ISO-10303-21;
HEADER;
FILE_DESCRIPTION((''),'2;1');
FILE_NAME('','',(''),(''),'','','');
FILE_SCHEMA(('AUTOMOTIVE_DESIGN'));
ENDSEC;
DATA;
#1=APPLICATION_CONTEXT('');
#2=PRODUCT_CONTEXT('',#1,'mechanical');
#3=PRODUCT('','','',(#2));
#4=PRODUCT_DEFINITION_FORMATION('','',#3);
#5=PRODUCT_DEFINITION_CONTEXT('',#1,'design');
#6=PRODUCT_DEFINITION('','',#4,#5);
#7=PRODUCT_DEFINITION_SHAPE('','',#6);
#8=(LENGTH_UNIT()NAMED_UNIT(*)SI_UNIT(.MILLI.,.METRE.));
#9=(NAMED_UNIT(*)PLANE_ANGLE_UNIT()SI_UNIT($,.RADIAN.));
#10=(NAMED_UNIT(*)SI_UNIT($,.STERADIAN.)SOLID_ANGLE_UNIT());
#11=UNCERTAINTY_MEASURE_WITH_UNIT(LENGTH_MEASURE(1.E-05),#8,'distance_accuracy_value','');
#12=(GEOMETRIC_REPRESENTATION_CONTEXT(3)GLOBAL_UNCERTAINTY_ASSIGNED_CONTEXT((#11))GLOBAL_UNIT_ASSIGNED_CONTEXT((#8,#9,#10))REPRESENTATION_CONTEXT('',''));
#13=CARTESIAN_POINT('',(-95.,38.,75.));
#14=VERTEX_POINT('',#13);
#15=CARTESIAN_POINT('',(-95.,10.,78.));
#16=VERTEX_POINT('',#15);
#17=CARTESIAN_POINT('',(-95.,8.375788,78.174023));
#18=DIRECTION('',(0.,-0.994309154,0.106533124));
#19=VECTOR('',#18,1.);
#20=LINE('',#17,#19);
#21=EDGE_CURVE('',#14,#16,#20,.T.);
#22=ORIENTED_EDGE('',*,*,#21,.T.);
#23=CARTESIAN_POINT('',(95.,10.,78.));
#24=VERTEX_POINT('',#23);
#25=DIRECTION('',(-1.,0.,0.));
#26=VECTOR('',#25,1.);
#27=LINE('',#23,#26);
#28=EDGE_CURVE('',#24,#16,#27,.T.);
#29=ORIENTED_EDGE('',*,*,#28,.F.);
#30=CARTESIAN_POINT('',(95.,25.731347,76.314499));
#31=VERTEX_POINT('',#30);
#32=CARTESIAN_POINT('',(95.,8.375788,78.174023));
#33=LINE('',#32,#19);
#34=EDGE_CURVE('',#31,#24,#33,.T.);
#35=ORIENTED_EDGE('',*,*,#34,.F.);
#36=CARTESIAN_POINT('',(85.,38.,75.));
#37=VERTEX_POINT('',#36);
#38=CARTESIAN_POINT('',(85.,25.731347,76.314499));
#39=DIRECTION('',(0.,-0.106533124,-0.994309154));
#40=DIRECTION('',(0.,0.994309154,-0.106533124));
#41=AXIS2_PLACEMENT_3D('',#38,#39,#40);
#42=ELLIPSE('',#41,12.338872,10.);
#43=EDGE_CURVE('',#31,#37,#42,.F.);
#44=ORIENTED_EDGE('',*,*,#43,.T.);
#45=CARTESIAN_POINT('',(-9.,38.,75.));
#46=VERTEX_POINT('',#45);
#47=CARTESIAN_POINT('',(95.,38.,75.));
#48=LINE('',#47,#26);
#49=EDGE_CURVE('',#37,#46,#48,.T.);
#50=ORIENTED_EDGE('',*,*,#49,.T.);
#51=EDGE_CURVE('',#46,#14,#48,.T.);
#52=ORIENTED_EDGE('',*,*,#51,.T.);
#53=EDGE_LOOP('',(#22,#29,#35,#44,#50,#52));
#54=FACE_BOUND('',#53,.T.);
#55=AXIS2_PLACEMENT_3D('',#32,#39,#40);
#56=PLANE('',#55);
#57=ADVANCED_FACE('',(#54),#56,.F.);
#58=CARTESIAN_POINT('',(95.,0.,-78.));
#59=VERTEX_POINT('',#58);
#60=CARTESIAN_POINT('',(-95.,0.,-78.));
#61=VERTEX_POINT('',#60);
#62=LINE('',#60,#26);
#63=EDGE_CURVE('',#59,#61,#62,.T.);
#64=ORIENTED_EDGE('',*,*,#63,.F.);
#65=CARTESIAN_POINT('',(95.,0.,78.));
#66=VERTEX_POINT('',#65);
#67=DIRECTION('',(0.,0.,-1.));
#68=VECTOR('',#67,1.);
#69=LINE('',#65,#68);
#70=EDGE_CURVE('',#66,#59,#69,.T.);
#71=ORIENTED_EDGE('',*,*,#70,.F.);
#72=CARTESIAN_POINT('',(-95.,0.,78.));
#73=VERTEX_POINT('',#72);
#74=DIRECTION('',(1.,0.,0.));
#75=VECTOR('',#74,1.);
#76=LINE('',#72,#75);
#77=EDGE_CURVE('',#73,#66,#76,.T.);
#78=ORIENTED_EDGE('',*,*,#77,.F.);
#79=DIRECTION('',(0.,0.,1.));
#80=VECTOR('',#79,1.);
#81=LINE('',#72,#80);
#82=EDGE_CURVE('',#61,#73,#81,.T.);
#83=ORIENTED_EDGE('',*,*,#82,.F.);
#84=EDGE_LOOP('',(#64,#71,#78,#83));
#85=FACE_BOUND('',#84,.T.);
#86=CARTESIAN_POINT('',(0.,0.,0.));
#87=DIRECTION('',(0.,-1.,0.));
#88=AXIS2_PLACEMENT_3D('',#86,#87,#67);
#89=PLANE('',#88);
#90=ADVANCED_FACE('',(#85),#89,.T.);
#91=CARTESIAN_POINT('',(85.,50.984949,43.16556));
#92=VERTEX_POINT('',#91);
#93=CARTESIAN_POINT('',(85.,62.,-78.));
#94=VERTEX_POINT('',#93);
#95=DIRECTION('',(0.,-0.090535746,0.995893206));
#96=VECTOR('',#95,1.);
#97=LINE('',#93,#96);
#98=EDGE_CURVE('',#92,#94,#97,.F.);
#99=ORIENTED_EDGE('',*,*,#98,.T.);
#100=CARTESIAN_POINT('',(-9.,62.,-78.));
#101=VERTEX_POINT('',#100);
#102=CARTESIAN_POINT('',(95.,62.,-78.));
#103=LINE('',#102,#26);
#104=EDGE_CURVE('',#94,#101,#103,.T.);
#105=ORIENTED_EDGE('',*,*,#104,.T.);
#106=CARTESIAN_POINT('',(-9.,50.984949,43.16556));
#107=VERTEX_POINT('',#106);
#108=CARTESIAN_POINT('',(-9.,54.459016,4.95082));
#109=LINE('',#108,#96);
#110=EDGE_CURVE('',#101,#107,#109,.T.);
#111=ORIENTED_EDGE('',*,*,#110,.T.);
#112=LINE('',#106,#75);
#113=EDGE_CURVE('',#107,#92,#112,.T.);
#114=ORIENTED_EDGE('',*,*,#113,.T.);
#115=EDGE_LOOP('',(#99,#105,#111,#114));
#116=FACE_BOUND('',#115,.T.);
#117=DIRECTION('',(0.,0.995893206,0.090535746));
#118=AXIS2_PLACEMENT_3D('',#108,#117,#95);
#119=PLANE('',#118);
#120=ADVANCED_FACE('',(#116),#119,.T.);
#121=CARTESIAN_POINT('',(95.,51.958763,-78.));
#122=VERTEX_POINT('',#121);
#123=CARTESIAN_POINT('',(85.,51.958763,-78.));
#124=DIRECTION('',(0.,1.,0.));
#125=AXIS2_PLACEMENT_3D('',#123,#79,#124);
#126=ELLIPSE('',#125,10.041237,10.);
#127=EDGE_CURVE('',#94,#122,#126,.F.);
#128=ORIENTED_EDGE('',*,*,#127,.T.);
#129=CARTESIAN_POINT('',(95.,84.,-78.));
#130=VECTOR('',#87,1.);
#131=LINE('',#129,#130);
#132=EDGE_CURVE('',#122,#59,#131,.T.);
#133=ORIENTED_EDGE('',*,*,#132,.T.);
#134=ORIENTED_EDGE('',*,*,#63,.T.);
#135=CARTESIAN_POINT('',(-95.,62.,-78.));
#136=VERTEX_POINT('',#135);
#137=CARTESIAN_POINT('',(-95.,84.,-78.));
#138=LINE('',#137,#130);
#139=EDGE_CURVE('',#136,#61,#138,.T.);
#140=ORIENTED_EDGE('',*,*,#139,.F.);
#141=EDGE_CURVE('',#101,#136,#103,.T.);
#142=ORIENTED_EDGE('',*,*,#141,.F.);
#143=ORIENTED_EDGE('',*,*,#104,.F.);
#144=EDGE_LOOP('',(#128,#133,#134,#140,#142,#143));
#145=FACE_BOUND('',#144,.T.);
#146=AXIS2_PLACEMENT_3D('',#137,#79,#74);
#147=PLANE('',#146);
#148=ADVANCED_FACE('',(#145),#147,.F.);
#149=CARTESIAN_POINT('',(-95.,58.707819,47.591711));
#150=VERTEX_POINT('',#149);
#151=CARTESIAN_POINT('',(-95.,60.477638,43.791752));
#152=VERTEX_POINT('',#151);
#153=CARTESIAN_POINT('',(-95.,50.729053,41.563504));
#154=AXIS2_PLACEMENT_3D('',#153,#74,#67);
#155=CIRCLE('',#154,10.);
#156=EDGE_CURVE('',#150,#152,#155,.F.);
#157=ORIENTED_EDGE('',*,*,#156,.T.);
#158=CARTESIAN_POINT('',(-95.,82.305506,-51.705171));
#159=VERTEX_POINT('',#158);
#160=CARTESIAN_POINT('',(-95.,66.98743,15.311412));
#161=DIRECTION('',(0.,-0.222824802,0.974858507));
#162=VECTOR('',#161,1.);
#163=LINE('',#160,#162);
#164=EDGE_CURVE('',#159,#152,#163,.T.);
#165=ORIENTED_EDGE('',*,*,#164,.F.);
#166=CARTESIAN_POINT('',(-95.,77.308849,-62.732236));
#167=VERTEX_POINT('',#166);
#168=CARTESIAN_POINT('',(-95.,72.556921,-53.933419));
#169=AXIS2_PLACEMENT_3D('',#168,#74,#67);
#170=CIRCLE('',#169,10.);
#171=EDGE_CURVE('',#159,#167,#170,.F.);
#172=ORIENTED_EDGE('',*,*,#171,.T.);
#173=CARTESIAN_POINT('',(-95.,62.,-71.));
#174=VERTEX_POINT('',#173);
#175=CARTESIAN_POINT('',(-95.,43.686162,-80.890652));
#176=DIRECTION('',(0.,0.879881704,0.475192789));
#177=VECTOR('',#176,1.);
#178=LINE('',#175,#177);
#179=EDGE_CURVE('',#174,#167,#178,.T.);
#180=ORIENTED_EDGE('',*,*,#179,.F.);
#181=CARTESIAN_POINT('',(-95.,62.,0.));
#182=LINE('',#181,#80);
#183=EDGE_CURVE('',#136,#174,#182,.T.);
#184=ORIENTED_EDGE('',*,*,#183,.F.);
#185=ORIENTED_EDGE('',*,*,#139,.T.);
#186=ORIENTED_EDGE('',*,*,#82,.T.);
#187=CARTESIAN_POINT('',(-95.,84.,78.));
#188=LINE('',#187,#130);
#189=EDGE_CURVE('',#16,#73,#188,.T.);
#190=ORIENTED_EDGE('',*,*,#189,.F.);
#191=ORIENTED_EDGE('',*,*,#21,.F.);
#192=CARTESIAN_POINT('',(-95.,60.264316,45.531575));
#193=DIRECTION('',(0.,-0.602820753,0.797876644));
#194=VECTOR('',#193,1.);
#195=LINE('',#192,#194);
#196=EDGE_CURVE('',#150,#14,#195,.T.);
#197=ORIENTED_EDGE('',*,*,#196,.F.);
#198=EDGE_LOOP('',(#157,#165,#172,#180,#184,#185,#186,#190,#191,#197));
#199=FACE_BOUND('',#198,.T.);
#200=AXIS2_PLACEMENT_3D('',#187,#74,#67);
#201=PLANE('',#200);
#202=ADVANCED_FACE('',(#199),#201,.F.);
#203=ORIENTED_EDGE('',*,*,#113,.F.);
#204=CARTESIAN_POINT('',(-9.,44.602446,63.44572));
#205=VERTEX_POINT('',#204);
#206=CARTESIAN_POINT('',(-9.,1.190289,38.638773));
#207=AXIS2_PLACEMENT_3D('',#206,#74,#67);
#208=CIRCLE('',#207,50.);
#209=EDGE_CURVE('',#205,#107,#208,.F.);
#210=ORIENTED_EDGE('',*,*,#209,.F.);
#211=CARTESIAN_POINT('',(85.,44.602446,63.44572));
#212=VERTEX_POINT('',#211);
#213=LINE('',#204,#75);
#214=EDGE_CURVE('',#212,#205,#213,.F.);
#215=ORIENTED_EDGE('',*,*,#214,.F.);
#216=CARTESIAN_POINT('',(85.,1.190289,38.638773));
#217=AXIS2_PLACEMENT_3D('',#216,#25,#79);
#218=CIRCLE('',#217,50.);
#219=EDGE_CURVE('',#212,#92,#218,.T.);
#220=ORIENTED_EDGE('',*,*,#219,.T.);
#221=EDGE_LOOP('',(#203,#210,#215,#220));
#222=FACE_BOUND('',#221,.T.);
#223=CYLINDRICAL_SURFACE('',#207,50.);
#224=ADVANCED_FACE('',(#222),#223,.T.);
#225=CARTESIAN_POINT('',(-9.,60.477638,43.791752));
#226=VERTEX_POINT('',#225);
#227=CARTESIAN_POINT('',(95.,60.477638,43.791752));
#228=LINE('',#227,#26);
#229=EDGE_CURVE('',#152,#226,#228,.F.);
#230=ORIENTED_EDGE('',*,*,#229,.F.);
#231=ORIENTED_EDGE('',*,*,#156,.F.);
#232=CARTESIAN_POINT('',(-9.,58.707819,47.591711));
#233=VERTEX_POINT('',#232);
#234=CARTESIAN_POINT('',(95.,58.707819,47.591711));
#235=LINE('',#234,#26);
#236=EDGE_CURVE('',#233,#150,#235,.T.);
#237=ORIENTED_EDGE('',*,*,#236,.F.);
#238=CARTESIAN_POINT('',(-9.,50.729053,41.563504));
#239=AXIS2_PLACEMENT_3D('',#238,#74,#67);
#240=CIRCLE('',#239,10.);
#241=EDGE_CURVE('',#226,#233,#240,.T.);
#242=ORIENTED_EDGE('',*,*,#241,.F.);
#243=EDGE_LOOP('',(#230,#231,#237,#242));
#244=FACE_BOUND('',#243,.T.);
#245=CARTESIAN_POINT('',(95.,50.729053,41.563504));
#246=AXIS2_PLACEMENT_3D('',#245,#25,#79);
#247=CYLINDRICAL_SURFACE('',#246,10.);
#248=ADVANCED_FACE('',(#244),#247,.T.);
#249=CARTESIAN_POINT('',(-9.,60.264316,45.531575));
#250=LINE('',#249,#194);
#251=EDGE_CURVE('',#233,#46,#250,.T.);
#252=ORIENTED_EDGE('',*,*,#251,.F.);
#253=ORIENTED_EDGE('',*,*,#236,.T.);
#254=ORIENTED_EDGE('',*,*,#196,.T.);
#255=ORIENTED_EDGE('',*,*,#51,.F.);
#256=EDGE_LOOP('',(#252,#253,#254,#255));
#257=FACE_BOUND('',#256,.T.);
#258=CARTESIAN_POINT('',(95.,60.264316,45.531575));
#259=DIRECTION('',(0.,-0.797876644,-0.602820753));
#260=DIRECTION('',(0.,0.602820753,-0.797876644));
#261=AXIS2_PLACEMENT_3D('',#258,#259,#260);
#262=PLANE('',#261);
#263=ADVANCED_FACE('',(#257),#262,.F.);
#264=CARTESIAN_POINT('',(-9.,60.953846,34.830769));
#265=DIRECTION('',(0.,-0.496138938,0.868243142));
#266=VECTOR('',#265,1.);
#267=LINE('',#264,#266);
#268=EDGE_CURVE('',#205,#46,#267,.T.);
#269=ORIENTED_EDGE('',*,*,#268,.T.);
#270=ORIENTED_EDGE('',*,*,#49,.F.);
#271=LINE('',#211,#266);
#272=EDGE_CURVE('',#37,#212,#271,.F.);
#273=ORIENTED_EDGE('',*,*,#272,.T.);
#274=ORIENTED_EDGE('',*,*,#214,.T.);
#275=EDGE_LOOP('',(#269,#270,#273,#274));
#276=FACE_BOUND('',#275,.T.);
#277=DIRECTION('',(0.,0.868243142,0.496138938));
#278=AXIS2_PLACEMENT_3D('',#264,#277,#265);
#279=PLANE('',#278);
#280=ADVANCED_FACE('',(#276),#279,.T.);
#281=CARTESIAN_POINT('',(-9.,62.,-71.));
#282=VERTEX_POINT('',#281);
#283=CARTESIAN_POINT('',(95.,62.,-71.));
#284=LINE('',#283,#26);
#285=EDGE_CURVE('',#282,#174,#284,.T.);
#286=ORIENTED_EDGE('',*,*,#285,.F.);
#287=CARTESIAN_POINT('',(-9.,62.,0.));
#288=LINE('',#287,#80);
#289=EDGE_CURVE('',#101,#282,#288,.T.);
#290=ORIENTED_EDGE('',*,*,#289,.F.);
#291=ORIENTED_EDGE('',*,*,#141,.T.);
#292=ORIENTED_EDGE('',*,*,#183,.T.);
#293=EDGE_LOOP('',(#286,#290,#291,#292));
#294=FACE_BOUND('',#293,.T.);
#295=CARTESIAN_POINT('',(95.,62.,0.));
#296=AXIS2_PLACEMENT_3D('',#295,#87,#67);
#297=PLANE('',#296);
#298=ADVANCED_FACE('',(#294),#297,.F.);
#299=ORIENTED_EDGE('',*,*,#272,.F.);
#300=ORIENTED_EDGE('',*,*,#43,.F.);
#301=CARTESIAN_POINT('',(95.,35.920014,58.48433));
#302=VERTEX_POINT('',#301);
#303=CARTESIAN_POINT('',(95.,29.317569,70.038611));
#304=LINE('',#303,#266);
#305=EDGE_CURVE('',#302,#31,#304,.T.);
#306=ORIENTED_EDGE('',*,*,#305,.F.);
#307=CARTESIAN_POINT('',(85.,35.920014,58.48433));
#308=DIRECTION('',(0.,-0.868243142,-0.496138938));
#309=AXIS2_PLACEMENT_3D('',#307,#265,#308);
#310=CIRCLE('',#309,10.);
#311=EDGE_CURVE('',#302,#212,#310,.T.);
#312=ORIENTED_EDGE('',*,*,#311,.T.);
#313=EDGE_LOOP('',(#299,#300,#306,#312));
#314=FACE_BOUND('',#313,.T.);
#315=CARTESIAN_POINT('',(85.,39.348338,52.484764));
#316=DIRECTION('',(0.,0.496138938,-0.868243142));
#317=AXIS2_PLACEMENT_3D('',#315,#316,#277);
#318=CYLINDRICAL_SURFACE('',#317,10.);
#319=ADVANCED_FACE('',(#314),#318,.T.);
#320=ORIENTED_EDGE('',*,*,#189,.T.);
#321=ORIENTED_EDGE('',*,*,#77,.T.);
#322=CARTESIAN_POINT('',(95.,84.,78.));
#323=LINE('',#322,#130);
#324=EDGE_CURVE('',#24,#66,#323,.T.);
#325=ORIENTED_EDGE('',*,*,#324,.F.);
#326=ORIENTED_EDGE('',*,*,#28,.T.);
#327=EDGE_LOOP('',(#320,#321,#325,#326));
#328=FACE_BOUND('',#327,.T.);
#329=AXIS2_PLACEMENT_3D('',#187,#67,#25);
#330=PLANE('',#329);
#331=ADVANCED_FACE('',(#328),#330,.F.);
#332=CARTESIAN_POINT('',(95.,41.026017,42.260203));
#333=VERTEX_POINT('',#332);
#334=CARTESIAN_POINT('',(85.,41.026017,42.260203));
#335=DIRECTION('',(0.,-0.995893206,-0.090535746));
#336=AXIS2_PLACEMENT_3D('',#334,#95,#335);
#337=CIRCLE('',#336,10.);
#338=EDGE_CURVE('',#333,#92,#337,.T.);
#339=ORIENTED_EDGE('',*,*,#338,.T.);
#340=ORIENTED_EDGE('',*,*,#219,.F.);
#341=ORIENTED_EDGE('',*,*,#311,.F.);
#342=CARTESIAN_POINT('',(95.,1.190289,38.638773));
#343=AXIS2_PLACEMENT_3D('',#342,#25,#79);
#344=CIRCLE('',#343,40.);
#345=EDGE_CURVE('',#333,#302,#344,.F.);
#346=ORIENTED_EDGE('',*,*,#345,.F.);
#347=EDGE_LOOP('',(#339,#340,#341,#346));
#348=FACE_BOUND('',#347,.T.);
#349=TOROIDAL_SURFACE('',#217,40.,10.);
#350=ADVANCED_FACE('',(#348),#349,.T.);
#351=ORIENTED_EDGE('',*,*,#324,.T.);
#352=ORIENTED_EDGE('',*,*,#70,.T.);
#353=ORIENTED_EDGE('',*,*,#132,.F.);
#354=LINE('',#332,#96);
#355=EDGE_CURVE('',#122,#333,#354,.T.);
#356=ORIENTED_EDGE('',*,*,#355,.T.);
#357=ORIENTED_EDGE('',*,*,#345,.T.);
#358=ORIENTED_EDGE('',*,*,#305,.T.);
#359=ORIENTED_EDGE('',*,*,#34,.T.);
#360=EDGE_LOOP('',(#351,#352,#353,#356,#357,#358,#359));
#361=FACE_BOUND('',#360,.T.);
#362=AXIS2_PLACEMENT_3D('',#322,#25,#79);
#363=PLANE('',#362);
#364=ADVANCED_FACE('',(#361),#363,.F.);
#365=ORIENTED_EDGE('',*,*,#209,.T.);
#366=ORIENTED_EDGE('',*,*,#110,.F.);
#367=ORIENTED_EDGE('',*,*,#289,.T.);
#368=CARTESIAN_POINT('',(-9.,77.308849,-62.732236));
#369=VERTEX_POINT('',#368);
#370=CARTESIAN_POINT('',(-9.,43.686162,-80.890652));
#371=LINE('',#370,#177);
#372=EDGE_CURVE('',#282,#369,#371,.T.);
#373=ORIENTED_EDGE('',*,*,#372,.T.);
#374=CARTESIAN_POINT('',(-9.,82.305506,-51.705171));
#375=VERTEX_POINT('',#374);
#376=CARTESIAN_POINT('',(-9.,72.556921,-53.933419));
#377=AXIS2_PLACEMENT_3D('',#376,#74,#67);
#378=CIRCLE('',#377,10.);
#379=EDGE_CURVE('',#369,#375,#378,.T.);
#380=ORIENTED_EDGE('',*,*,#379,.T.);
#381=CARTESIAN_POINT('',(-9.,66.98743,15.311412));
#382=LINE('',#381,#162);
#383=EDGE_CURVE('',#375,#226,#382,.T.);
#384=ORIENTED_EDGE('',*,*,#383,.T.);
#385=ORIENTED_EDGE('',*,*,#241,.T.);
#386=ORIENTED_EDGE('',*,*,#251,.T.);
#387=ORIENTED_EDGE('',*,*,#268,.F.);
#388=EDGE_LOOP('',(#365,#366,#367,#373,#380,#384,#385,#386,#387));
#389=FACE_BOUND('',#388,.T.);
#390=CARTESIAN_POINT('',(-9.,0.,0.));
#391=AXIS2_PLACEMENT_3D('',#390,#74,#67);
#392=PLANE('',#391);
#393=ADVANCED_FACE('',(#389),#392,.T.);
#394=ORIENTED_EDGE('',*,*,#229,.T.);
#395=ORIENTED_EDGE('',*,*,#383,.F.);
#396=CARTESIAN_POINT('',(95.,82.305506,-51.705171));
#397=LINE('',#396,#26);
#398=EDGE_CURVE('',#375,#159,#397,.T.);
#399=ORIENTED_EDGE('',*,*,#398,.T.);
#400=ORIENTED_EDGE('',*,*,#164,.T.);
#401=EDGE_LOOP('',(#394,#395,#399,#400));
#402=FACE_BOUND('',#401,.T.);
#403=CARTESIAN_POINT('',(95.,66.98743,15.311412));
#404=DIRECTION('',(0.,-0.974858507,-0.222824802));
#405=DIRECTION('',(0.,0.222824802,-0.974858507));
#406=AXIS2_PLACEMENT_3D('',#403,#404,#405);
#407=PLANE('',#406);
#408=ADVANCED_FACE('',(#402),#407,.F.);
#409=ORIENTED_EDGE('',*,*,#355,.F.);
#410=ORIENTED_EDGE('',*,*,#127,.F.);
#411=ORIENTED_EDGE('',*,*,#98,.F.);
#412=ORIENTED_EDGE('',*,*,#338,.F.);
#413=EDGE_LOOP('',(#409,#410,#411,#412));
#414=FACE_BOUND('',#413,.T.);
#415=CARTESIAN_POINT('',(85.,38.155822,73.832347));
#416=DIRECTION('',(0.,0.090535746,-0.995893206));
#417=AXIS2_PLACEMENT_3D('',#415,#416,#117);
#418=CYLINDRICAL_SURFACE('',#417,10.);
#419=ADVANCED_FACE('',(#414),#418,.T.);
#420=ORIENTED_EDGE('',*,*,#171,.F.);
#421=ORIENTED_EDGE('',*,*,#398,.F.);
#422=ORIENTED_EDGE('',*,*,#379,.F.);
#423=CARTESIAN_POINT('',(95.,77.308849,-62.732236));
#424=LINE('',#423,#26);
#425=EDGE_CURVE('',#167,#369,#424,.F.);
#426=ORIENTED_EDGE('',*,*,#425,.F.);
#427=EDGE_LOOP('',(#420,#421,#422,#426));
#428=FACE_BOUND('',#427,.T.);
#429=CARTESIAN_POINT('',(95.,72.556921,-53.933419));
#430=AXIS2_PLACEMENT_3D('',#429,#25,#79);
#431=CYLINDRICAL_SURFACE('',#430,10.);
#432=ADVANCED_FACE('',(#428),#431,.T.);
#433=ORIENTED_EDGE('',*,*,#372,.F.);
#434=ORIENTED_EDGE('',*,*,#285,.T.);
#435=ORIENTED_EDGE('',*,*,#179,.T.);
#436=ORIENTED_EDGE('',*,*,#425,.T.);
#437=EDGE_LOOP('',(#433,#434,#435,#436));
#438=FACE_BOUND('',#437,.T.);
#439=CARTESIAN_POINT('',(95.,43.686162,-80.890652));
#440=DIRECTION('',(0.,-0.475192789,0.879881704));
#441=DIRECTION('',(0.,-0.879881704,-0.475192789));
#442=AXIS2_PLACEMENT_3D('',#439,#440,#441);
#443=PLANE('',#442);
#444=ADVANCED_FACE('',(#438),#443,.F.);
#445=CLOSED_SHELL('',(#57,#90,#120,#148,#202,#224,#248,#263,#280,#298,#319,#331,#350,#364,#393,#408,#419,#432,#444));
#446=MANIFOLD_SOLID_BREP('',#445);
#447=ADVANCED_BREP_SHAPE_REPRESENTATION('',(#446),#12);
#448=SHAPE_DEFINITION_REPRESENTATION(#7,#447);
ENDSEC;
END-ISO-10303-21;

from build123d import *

# Parameters (mm, degrees)
SKETCH1_W           = 190
SKETCH1_H           = 156
BOSS_EXTRUDE1_DEPTH = 84
CUT_EXTRUDE1_DEPTH  = 222.900878772
CUT_EXTRUDE2_DEPTH  = 104
FILLET1_R           = 50
FILLET2_R           = 10
FILLET3_R           = 10


with BuildPart() as part:
    # Sketch1 → Boss-Extrude1 (new body)
    with BuildSketch(Plane(origin=(0, 0, 0), x_dir=(1, 0, 0), z_dir=(0, 1, 0))):
        Rectangle(SKETCH1_W, SKETCH1_H)
    extrude(amount=BOSS_EXTRUDE1_DEPTH)

    # Sketch2 → Cut-Extrude1 (cut, through all)
    with BuildSketch(Plane.ZY.offset(95)):
        Polygon((-78, 84), (-78, 62), (-71, 62), (-59.118583078, 84), align=None)
        Polygon((78, 84), (-59.118583078, 84), (45.881416922, 60), (75, 38), (78, 10), align=None)
    extrude(amount=-CUT_EXTRUDE1_DEPTH, mode=Mode.SUBTRACT)

    # Sketch3 → Cut-Extrude2 (cut)
    with BuildSketch(Plane(origin=(95, 0, 0), x_dir=(0, 0, -1), z_dir=(1, 0, 0))):
        Polygon((-54, 50), (-75, 38), (-45.881416922, 60), (59.118583078, 84), (71, 62), (78, 62), align=None)
    extrude(amount=-CUT_EXTRUDE2_DEPTH, mode=Mode.SUBTRACT)

    # Fillet1
    fillet1_edges = [part.edges().sort_by_distance(p)[0] for p in [
        (43, 50, 54),
    ]]
    fillet(fillet1_edges, radius=FILLET1_R)

    # Fillet2
    fillet2_edges = [part.edges().sort_by_distance(p)[0] for p in [
        (-52, 84, -59.118583078),
    ]]
    fillet(fillet2_edges, radius=FILLET2_R)

    # Fillet3
    fillet3_edges = [part.edges().sort_by_distance(p)[0] for p in [
        (-52, 60, 45.881416922),
        (95, 56.49247454, -17.417219937),
        (95, 41.301222931, 69.22285987),
        (95, 48.884092571, 53.64880539),
    ]]
    fillet(fillet3_edges, radius=FILLET3_R)


solid = part.part
